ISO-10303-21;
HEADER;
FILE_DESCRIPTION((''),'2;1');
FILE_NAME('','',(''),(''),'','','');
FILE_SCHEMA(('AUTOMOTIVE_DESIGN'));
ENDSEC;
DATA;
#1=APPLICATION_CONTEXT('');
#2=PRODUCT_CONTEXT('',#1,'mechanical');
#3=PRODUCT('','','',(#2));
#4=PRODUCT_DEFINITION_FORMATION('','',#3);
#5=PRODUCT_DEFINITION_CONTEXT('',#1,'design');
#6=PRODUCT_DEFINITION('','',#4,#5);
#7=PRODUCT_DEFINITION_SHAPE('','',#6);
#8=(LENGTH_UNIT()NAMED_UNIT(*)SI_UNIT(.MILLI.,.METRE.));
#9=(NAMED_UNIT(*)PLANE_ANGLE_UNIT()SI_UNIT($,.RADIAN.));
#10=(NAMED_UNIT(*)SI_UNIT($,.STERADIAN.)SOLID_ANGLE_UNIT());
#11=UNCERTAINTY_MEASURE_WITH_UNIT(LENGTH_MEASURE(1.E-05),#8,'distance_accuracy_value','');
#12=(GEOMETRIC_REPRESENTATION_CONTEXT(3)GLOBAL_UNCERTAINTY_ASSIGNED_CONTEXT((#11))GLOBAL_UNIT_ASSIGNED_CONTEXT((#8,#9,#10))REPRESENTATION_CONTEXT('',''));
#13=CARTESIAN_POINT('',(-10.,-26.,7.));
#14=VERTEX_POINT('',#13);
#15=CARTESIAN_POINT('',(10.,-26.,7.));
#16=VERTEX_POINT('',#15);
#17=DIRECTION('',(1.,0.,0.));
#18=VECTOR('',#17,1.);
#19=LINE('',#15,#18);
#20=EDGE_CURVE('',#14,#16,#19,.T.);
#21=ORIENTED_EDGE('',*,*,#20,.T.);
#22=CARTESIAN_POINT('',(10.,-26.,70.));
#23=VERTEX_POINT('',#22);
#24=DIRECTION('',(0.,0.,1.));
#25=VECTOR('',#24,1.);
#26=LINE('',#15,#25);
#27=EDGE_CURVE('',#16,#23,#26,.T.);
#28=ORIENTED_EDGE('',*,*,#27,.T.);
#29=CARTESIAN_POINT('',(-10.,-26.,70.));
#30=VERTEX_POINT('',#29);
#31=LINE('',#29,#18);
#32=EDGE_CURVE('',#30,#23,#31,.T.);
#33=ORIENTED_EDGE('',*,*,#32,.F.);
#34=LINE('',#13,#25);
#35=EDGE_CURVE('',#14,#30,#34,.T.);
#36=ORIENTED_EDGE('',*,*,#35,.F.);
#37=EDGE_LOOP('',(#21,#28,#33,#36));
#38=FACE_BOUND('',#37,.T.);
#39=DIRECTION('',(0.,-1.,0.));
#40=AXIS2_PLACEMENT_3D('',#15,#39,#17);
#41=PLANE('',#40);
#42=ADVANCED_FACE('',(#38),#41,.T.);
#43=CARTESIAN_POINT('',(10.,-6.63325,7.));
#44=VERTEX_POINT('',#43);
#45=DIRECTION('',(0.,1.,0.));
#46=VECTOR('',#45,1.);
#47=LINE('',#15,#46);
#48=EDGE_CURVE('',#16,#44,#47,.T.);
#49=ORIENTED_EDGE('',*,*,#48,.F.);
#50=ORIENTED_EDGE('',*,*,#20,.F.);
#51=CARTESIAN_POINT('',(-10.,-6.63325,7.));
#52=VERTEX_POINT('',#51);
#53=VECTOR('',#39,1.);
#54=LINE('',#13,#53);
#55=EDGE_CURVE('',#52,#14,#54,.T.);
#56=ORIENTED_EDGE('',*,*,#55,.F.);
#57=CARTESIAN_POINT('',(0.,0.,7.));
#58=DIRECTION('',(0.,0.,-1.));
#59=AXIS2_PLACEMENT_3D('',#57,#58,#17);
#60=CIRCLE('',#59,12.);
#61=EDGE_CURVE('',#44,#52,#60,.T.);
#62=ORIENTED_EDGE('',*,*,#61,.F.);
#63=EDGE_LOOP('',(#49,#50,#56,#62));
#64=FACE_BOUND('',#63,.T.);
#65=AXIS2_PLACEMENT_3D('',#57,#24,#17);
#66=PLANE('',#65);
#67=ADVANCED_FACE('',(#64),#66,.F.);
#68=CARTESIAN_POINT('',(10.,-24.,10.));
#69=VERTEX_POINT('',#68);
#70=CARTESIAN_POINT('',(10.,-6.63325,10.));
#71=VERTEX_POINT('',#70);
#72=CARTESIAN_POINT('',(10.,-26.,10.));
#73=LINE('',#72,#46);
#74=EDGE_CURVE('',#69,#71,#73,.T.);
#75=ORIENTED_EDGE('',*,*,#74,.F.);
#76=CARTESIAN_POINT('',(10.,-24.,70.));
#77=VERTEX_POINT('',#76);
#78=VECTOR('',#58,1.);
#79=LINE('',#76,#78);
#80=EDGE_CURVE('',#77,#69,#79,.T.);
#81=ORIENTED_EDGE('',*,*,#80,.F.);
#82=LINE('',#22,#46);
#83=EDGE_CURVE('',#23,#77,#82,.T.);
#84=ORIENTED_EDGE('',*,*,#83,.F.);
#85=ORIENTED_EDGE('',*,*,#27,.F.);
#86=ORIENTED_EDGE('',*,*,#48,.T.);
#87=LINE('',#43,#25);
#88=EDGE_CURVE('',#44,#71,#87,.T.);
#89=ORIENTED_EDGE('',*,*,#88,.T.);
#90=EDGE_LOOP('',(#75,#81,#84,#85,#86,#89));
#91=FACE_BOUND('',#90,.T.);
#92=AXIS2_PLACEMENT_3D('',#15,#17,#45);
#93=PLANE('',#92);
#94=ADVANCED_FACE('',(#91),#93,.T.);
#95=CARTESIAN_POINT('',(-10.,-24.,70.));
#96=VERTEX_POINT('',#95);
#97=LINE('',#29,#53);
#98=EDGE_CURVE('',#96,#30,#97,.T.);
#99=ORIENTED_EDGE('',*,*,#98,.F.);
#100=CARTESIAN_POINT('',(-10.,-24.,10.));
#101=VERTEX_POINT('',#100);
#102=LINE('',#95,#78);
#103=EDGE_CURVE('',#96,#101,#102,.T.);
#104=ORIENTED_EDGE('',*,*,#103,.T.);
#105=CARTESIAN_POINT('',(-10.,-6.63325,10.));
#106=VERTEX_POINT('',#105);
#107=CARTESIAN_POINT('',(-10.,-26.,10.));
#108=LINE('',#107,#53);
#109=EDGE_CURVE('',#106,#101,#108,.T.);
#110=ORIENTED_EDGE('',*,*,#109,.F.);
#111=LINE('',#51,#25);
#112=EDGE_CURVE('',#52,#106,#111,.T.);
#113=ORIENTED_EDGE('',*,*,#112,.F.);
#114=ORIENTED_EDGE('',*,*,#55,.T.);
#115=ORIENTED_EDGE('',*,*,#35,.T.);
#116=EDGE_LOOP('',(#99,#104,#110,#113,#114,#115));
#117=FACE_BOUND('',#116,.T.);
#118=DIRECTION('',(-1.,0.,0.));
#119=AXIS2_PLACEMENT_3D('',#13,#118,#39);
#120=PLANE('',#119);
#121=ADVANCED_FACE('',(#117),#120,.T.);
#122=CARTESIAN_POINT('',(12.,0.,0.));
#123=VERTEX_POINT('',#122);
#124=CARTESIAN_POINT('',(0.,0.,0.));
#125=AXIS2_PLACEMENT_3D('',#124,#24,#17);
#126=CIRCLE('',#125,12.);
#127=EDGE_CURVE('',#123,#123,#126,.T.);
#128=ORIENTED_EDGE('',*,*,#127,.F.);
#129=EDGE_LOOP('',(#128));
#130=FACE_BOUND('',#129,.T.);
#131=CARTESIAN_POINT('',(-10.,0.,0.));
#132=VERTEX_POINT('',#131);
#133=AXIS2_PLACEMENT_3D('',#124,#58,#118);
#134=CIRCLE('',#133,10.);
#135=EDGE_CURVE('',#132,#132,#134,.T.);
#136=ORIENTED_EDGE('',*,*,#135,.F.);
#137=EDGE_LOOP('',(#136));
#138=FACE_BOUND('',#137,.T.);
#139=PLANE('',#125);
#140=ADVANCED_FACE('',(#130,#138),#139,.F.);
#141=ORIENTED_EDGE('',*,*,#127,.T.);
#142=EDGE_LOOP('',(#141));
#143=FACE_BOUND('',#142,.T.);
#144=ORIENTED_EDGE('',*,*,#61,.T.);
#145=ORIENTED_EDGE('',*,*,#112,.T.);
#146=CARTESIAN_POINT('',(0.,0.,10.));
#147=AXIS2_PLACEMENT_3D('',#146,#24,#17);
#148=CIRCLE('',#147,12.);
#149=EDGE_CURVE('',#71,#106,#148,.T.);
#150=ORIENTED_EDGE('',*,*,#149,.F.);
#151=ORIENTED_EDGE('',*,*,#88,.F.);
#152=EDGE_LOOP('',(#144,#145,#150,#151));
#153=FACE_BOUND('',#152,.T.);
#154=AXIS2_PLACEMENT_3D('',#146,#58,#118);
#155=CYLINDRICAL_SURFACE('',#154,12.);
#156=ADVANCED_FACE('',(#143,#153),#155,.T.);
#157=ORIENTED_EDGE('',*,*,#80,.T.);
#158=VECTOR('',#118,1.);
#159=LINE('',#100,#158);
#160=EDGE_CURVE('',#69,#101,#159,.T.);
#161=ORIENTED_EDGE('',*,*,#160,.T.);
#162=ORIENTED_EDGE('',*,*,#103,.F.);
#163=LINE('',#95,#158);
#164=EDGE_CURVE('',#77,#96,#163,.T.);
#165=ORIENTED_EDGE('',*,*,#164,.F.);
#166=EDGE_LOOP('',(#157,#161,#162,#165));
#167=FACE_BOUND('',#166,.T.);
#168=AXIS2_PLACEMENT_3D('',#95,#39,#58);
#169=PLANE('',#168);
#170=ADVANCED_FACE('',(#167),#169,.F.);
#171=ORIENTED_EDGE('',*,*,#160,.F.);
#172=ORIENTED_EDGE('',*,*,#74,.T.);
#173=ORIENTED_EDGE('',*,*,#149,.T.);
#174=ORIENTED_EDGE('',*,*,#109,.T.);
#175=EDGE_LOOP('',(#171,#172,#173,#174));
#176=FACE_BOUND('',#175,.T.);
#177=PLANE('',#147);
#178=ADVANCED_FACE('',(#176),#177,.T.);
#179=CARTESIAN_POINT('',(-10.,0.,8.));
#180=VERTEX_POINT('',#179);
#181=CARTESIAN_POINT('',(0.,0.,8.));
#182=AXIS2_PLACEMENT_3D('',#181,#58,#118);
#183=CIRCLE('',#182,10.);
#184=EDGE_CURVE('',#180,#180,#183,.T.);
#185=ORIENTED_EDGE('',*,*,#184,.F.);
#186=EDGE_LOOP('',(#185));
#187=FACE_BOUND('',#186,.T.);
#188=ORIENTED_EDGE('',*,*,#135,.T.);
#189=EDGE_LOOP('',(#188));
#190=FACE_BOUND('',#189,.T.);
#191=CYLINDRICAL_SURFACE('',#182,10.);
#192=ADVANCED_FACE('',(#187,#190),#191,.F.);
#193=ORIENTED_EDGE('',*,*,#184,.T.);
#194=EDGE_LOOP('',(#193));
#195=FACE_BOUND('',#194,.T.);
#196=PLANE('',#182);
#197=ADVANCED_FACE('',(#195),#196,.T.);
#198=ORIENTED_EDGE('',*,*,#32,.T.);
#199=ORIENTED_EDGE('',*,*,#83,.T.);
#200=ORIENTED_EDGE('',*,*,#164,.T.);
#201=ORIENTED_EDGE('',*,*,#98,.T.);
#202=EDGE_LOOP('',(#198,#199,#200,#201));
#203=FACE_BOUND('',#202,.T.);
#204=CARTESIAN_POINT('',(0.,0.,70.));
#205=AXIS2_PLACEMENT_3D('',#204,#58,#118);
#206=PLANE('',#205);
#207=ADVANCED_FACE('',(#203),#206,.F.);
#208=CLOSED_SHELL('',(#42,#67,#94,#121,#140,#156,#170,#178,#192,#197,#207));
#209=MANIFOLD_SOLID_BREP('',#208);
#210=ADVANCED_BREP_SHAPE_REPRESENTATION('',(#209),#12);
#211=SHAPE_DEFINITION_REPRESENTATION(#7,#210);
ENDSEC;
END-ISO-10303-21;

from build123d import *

# Parameters (mm, degrees)
SKETCH2_R           = 12
BOSS_EXTRUDE1_DEPTH = 10
BOSS_EXTRUDE2_DEPTH = 3
SKETCH4_W           = 20
SKETCH4_H           = 2
BOSS_EXTRUDE3_DEPTH = 60
SKETCH5_R           = 10
CUT_EXTRUDE1_DEPTH  = 8


with BuildPart() as part:
    # Sketch2 → Boss-Extrude1 (new body)
    with BuildSketch(Plane.XY):
        Circle(SKETCH2_R)
    extrude(amount=BOSS_EXTRUDE1_DEPTH)

    # Sketch3 → Boss-Extrude2 (add)
    with BuildSketch(Plane.XY.offset(10)):
        with BuildLine():
            Line((-10, -26), (-10, -6.633249581))
            ThreePointArc((-10, -6.633249581), (0, -12), (10, -6.633249581))
            Line((10, -6.633249581), (10, -26))
            Line((10, -26), (-10, -26))
        make_face()
    extrude(amount=-BOSS_EXTRUDE2_DEPTH)

    # Sketch4 → Boss-Extrude3 (add)
    with BuildSketch(Plane.XY.offset(10)):
        with Locations((0, -25)):
            Rectangle(SKETCH4_W, SKETCH4_H)
    extrude(amount=BOSS_EXTRUDE3_DEPTH)

    # Sketch5 → Cut-Extrude1 (cut)
    with BuildSketch(Plane(origin=(0, 0, 0), x_dir=(-1, 0, 0), z_dir=(0, 0, -1))):
        Circle(SKETCH5_R)
    extrude(amount=-CUT_EXTRUDE1_DEPTH, mode=Mode.SUBTRACT)


solid = part.part
